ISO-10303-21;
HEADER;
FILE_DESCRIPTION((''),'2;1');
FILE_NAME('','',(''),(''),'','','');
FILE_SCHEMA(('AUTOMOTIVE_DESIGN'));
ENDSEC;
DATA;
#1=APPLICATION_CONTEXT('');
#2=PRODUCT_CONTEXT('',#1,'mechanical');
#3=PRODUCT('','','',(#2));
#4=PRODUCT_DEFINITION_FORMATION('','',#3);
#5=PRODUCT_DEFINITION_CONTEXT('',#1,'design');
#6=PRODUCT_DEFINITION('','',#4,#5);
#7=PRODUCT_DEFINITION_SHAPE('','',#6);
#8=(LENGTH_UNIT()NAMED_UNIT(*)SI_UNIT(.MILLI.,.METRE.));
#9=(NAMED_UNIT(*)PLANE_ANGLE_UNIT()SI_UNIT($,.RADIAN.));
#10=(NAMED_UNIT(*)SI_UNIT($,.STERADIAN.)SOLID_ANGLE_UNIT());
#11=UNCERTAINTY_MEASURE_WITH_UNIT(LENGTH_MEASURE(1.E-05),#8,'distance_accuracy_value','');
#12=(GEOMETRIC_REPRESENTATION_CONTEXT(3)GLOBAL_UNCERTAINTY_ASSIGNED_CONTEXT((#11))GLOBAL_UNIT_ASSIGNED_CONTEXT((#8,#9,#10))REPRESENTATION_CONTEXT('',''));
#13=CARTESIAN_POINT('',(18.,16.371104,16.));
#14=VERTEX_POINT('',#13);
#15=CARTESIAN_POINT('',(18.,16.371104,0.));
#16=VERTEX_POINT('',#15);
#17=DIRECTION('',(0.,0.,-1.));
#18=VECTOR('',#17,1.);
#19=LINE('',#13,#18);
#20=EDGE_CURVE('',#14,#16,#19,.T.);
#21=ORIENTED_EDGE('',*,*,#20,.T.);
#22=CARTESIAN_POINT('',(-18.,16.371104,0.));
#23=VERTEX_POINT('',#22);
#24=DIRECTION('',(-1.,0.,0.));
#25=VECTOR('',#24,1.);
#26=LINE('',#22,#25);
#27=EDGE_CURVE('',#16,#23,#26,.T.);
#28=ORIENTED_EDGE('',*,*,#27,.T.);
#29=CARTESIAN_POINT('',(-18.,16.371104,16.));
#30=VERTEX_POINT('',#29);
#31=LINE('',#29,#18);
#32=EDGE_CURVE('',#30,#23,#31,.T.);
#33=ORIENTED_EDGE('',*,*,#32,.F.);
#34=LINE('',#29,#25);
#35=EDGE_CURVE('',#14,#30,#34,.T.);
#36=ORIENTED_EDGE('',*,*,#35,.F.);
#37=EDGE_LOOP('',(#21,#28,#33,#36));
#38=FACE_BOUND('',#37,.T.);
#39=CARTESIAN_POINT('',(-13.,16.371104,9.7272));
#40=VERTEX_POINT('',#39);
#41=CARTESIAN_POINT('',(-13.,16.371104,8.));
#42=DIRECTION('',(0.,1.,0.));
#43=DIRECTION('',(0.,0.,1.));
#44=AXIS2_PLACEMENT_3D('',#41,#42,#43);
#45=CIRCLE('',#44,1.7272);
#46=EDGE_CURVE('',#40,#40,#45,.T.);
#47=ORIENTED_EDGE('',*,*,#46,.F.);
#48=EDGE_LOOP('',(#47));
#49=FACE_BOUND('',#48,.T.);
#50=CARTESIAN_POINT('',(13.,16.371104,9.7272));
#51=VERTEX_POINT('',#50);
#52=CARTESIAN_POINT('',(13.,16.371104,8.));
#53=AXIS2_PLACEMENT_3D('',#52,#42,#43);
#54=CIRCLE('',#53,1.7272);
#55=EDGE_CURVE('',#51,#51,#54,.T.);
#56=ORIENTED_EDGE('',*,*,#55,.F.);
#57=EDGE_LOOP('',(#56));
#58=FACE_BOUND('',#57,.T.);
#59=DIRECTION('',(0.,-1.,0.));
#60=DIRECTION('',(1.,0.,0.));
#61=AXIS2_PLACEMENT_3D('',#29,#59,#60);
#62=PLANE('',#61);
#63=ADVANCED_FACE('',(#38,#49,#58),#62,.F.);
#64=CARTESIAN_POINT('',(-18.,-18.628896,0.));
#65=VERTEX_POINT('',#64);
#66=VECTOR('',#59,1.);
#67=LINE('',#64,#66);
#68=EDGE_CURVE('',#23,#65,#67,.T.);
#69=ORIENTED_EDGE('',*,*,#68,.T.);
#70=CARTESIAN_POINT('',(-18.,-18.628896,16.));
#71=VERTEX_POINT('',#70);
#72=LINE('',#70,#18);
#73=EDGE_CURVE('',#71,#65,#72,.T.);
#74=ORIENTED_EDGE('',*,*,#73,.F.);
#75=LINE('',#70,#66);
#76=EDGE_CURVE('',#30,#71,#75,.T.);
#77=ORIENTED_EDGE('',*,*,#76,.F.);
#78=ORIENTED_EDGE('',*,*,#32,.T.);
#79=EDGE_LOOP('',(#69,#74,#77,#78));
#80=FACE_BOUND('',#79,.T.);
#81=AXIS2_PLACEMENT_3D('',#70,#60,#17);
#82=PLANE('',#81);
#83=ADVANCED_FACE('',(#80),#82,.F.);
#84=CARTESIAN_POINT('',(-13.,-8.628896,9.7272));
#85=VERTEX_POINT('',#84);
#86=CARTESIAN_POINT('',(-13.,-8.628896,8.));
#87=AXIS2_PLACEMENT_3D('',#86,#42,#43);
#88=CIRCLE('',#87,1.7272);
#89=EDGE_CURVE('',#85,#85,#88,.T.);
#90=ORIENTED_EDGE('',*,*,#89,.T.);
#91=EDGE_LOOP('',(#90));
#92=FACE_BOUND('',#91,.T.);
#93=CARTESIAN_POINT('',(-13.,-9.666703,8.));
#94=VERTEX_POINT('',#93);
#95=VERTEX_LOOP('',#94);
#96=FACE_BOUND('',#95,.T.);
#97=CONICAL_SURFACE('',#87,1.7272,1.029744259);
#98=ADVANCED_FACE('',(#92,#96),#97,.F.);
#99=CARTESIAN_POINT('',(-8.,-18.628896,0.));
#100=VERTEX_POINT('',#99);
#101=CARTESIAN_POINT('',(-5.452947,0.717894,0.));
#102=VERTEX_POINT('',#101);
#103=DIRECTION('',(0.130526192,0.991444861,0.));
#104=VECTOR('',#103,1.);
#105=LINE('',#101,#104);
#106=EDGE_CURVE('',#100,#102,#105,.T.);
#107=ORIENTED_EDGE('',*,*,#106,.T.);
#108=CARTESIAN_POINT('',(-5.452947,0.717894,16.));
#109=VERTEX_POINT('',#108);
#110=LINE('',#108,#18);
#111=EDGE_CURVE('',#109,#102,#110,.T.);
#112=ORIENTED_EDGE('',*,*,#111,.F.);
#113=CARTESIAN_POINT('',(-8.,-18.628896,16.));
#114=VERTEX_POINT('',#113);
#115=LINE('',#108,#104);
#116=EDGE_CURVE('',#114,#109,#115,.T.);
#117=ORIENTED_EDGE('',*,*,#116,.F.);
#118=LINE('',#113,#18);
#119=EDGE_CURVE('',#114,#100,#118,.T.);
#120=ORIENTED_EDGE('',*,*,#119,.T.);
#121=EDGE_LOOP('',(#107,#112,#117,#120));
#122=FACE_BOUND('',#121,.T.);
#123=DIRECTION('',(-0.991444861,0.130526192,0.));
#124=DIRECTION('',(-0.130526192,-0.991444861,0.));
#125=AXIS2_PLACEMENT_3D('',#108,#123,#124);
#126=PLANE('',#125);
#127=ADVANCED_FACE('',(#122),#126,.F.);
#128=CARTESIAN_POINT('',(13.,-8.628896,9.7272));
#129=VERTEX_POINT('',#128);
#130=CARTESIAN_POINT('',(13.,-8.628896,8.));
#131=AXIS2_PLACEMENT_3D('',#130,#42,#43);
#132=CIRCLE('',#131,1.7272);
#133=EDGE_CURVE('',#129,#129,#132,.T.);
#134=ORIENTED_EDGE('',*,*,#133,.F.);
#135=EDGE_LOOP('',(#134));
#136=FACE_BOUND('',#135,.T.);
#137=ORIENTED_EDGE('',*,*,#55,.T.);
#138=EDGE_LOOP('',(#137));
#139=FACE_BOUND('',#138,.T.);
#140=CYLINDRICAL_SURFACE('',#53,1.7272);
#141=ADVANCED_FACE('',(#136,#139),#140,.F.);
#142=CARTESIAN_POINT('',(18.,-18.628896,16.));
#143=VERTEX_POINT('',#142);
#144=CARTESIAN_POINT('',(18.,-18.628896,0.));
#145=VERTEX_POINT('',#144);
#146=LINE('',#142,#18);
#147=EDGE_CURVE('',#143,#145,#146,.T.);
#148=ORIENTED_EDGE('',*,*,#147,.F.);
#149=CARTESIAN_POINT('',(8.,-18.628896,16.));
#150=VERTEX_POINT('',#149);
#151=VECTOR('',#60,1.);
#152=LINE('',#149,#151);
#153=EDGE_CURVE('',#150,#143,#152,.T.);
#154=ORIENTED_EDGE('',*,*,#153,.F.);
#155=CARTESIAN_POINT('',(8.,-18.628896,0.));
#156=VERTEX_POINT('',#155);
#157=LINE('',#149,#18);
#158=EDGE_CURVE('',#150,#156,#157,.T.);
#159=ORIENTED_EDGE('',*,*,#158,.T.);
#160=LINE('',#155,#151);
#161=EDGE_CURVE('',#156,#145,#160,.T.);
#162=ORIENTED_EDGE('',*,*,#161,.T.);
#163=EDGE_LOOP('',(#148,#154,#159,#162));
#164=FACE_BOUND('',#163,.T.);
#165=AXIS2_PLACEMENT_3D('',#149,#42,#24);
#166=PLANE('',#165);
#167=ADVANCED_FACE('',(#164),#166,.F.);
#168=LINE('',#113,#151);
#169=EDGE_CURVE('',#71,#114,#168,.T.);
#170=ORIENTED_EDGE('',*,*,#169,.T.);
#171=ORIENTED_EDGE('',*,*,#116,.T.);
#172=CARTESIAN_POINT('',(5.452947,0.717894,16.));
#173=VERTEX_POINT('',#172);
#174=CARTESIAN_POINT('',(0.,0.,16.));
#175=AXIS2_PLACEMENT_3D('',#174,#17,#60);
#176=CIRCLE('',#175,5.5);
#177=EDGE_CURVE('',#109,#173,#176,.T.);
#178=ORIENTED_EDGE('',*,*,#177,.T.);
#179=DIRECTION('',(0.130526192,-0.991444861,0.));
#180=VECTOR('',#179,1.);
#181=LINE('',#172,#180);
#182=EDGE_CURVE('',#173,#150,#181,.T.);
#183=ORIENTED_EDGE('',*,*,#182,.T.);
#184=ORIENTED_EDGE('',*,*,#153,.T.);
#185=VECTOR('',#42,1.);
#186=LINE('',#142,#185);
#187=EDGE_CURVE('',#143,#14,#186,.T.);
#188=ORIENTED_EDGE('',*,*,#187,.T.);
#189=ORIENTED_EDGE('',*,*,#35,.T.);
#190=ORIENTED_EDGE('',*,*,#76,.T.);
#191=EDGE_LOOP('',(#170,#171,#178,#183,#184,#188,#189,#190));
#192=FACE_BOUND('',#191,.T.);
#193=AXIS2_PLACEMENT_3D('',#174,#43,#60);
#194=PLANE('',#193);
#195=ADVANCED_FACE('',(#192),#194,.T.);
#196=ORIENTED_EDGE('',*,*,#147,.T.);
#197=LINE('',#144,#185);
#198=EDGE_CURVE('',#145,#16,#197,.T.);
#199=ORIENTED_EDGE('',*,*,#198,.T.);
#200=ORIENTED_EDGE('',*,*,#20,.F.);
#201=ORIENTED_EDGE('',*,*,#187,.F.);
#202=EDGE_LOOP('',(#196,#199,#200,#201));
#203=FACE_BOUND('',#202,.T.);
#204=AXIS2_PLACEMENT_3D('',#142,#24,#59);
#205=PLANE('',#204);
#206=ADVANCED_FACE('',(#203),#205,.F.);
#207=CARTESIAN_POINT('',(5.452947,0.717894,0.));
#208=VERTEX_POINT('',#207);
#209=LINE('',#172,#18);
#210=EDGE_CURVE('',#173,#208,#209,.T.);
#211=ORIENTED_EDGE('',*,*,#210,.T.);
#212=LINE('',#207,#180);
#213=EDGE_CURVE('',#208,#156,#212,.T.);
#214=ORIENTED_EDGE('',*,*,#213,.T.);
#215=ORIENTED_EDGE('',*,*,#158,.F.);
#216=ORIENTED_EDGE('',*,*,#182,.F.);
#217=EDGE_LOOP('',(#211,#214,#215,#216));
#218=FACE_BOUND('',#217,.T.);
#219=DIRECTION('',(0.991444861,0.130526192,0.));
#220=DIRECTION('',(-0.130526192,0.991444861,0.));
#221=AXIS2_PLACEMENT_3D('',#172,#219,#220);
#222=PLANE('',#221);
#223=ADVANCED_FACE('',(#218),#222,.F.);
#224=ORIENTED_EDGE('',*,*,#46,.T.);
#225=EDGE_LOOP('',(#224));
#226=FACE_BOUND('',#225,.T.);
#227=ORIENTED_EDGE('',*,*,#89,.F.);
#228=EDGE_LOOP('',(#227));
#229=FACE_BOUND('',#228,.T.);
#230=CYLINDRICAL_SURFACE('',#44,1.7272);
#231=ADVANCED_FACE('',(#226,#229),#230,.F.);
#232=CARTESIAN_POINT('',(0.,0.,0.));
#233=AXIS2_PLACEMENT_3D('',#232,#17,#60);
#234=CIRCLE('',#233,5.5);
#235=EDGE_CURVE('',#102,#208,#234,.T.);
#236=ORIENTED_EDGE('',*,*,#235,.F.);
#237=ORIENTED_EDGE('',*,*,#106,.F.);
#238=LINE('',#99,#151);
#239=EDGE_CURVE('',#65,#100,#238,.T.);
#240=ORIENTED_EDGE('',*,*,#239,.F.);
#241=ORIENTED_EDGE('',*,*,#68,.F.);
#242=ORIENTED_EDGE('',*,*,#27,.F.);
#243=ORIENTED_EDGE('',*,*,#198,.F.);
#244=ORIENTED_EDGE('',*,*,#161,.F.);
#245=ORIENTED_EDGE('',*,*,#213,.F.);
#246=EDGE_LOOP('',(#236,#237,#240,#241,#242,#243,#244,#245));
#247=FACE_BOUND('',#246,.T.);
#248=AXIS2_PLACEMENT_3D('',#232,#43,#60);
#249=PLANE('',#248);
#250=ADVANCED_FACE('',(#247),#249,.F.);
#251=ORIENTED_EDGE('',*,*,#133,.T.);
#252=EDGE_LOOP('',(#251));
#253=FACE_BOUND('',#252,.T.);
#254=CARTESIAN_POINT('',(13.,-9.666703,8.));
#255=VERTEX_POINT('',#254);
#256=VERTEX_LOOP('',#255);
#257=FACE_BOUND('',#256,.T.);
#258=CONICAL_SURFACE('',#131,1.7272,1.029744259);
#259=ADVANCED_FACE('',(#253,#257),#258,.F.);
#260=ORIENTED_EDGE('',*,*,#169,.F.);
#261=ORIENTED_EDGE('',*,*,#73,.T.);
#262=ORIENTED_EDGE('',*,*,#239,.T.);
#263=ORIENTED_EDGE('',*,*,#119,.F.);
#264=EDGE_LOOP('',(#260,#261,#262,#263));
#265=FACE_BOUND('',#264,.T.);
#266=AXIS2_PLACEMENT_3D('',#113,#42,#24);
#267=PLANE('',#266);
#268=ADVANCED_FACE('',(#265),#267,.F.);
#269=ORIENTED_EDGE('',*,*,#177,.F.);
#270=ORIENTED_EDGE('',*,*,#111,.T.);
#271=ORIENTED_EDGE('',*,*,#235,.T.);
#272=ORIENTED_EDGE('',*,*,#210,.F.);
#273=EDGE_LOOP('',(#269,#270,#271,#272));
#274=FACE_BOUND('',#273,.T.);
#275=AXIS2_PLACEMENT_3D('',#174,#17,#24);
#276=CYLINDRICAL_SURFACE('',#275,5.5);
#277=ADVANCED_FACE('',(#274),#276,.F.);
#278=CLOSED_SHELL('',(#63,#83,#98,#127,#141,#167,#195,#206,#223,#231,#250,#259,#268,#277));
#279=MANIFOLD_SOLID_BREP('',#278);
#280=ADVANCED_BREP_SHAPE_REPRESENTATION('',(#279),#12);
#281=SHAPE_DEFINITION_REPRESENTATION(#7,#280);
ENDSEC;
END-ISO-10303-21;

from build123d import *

# Parameters (mm, degrees)
BOSS_EXTRUDE1_DEPTH       = 16
F_8_36_TAPPED_HOLE1_D     = 3.4544
F_8_36_TAPPED_HOLE1_DEPTH = 25
F_8_36_TAPPED_HOLE1_TIP   = 1.037806461


with BuildPart() as part:
    # Sketch1 → Boss-Extrude1 (new body)
    with BuildSketch(Plane.XY):
        with BuildLine():
            Line((5.452946738, 0.717894057), (8, -18.628896236))
            Line((8, -18.628896236), (18, -18.628896236))
            Line((18, -18.628896236), (18, 16.371103764))
            Line((18, 16.371103764), (-18, 16.371103764))
            Line((-18, 16.371103764), (-18, -18.628896236))
            Line((-18, -18.628896236), (-8, -18.628896236))
            Line((-8, -18.628896236), (-5.452946738, 0.717894057))
            ThreePointArc((-5.452946738, 0.717894057), (0, 5.5), (5.452946738, 0.717894057))
        make_face()
    extrude(amount=BOSS_EXTRUDE1_DEPTH)

    # #8-36 Tapped Hole1
    with Locations(Plane(origin=(0, 16.371103764, 0), x_dir=(1, 0, 0), z_dir=(0, 1, 0))):
        with Locations((-13, -8), (13, -8)):
            Hole(F_8_36_TAPPED_HOLE1_D / 2, depth=F_8_36_TAPPED_HOLE1_DEPTH)
            with Locations((0, 0, -(F_8_36_TAPPED_HOLE1_DEPTH + F_8_36_TAPPED_HOLE1_TIP / 2))):  # 118° drill point
                Cone(0, F_8_36_TAPPED_HOLE1_D / 2, F_8_36_TAPPED_HOLE1_TIP, mode=Mode.SUBTRACT)


solid = part.part
